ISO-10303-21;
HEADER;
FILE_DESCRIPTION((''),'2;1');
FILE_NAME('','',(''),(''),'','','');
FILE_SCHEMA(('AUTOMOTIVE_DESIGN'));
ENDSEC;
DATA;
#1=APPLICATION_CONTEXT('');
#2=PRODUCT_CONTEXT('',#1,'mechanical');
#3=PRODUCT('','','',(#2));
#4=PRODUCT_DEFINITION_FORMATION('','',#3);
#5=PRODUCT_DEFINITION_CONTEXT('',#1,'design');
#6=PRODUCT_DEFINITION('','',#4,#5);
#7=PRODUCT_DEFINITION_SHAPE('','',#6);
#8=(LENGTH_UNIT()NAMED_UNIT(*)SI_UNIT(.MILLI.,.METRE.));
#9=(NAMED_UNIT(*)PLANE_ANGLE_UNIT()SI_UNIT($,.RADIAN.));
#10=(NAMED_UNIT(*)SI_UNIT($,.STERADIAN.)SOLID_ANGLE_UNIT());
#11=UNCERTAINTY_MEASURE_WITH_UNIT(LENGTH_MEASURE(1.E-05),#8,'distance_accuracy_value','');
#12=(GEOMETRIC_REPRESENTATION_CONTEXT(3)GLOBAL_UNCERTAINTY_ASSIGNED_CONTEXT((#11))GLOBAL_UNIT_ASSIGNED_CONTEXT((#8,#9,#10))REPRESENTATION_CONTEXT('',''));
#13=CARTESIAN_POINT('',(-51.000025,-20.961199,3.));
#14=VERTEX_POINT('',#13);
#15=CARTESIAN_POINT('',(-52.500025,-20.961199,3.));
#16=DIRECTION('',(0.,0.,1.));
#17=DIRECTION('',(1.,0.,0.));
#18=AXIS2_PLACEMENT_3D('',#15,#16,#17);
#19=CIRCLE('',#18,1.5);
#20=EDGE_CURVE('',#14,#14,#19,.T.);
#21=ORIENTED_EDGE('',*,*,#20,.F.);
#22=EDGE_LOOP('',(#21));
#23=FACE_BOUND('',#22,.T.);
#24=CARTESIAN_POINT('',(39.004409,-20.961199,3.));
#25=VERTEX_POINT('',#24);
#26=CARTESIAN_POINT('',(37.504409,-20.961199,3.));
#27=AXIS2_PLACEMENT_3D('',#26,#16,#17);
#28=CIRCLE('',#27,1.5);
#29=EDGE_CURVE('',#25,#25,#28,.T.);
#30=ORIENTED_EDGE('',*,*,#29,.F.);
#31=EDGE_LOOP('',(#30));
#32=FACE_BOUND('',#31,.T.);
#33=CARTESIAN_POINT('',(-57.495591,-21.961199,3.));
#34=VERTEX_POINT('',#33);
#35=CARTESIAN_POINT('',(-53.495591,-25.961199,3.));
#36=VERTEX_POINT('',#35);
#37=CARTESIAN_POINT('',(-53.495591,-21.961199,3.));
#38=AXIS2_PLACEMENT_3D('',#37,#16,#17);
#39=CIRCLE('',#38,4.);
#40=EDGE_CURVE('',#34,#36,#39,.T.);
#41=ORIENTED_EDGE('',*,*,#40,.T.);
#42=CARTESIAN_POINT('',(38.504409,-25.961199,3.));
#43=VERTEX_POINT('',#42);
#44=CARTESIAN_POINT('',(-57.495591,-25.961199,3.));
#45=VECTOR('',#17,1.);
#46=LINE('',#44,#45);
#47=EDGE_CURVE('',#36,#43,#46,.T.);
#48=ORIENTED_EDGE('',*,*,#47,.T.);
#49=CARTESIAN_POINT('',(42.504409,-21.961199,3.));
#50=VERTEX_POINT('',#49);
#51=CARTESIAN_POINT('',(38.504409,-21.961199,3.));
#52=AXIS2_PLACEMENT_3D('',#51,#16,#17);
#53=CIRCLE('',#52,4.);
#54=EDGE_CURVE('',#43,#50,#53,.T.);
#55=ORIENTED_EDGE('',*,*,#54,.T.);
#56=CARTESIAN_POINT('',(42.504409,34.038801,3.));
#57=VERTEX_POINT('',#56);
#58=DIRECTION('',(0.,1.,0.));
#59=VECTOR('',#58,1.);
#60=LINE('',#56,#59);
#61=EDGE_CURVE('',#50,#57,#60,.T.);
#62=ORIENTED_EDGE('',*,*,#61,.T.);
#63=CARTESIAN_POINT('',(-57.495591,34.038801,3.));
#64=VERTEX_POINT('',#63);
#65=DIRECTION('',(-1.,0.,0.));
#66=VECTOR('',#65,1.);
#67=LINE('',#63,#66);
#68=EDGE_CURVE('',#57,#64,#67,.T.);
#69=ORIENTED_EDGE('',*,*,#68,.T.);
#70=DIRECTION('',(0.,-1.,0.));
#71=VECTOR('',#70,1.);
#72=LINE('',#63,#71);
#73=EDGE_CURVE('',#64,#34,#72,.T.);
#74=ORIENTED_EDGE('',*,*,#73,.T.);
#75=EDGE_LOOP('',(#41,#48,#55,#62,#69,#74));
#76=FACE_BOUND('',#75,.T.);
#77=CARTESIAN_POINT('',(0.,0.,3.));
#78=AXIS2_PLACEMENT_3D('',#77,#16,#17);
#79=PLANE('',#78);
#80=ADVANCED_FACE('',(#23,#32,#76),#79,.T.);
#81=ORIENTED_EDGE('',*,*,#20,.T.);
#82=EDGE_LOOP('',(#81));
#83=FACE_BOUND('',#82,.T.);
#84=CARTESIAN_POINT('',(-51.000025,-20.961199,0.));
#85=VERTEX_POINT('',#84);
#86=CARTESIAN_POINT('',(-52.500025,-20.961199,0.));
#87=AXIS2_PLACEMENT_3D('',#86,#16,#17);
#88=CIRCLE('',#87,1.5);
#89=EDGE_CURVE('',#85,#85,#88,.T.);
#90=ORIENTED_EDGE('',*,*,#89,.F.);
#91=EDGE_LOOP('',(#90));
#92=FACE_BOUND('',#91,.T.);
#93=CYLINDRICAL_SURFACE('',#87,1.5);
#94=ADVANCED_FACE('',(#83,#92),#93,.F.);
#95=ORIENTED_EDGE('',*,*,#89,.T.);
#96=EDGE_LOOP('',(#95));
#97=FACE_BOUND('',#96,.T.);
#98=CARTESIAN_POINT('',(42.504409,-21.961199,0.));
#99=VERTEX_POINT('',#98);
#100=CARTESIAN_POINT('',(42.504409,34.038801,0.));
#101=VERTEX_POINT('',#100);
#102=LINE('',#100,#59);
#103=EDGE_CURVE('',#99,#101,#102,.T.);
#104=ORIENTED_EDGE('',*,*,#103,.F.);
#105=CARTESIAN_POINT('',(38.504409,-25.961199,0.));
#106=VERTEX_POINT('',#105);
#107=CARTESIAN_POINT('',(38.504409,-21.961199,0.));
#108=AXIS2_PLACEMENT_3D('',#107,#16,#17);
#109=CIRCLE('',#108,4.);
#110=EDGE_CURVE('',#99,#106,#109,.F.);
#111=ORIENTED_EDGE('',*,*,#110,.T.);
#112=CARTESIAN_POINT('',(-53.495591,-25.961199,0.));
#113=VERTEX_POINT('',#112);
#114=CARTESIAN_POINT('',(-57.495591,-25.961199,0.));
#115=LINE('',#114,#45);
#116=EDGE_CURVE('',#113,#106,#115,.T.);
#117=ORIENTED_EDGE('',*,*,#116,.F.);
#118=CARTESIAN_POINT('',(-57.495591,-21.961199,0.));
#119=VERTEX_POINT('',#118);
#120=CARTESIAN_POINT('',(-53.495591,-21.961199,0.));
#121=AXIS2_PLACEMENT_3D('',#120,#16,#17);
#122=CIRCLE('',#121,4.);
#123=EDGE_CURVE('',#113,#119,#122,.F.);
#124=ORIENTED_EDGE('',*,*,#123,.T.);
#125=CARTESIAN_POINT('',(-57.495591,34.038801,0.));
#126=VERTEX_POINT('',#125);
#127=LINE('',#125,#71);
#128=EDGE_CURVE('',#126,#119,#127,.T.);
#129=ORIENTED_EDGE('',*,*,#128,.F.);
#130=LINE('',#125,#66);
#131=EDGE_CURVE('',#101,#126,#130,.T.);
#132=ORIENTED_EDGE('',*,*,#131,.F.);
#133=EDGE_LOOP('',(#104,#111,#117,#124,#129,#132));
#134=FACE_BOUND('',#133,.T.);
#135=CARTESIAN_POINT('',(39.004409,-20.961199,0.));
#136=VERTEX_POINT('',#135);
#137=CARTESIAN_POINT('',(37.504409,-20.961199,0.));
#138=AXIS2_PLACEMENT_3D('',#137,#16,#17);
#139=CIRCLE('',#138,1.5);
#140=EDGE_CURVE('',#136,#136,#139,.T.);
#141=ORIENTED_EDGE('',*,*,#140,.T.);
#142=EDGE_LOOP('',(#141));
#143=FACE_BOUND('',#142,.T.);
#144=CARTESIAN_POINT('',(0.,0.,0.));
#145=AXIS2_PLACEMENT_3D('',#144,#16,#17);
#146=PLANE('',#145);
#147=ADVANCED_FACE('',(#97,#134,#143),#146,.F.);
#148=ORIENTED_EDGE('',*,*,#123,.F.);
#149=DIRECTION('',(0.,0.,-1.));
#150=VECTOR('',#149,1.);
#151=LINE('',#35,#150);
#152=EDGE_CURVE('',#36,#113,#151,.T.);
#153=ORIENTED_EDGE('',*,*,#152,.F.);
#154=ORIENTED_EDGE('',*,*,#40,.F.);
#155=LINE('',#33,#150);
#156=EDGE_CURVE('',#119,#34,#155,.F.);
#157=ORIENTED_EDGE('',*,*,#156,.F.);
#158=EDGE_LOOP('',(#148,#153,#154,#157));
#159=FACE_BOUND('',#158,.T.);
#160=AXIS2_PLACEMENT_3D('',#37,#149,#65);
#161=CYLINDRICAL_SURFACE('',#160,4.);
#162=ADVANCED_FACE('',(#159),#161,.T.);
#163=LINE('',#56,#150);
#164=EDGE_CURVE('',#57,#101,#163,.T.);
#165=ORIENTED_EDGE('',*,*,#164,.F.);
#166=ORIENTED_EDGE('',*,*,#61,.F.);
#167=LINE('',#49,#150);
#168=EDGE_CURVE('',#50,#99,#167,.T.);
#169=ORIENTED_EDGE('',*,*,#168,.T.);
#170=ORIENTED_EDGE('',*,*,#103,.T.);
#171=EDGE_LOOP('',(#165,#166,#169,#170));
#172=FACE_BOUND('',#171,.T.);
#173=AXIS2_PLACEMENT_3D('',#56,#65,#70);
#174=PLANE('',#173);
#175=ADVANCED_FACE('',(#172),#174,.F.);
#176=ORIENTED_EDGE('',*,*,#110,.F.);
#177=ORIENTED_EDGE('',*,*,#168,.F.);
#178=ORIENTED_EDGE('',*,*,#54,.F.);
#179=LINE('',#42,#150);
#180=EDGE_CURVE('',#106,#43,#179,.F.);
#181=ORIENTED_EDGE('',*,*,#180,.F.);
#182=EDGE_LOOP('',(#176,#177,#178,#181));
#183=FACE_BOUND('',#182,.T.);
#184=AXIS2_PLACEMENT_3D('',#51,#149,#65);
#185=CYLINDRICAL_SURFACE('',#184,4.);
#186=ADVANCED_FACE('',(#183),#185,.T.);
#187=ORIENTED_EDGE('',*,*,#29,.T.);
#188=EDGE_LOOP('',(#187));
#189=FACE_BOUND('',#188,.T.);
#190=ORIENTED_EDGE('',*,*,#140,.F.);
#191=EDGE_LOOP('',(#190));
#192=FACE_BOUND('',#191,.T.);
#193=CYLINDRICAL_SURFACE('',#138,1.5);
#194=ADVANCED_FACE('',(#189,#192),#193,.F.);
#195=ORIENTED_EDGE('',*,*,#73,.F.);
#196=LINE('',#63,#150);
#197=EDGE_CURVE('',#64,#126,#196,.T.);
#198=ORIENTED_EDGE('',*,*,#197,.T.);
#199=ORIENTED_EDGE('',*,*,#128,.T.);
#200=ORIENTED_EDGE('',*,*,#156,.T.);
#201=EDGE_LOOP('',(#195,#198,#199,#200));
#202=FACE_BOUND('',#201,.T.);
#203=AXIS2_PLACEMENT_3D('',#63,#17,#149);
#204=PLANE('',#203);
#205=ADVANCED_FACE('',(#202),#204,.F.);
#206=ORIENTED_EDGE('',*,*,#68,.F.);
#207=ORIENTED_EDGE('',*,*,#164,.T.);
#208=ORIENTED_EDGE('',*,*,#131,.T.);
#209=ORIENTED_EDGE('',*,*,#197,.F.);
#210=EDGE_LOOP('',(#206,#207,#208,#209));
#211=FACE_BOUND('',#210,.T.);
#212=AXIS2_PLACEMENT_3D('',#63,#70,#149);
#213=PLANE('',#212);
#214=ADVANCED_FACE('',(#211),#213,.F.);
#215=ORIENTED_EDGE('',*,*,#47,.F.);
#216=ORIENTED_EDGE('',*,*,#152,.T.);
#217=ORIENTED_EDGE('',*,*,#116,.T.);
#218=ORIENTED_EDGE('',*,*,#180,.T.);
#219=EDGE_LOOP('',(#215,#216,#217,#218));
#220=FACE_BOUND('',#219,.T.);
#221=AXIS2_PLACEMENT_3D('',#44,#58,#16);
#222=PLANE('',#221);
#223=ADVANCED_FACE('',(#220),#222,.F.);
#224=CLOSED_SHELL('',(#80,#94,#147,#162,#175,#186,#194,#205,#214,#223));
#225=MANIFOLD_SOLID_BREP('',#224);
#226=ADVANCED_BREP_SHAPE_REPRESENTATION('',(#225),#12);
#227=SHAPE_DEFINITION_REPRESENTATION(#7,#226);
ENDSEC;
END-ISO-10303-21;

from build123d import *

# Parameters (mm, degrees)
SKETCH1_W           = 100
SKETCH1_H           = 60
BOSS_EXTRUDE1_DEPTH = 3
SKETCH2_R           = 1.5
CUT_EXTRUDE1_DEPTH  = 3
FILLET1_R           = 4


with BuildPart() as part:
    # Sketch1 → Boss-Extrude1 (new body)
    with BuildSketch(Plane.XY):
        with Locations((-7.495590829, 4.038800705)):
            Rectangle(SKETCH1_W, SKETCH1_H)
    extrude(amount=BOSS_EXTRUDE1_DEPTH)

    # Sketch2 → Cut-Extrude1 (cut)
    with BuildSketch(Plane.XY.offset(3)):
        with Locations((37.504409171, -20.961199295)):
            Circle(SKETCH2_R)
        with Locations((-52.500025419, -20.961199295)):
            Circle(SKETCH2_R)
    extrude(amount=-CUT_EXTRUDE1_DEPTH, mode=Mode.SUBTRACT)

    # Fillet1
    fillet1_edges = [part.edges().sort_by_distance(p)[0] for p in [
        (42.504409171, -25.961199295, 1.5),
        (-57.495590829, -25.961199295, 1.5),
    ]]
    fillet(fillet1_edges, radius=FILLET1_R)


solid = part.part
